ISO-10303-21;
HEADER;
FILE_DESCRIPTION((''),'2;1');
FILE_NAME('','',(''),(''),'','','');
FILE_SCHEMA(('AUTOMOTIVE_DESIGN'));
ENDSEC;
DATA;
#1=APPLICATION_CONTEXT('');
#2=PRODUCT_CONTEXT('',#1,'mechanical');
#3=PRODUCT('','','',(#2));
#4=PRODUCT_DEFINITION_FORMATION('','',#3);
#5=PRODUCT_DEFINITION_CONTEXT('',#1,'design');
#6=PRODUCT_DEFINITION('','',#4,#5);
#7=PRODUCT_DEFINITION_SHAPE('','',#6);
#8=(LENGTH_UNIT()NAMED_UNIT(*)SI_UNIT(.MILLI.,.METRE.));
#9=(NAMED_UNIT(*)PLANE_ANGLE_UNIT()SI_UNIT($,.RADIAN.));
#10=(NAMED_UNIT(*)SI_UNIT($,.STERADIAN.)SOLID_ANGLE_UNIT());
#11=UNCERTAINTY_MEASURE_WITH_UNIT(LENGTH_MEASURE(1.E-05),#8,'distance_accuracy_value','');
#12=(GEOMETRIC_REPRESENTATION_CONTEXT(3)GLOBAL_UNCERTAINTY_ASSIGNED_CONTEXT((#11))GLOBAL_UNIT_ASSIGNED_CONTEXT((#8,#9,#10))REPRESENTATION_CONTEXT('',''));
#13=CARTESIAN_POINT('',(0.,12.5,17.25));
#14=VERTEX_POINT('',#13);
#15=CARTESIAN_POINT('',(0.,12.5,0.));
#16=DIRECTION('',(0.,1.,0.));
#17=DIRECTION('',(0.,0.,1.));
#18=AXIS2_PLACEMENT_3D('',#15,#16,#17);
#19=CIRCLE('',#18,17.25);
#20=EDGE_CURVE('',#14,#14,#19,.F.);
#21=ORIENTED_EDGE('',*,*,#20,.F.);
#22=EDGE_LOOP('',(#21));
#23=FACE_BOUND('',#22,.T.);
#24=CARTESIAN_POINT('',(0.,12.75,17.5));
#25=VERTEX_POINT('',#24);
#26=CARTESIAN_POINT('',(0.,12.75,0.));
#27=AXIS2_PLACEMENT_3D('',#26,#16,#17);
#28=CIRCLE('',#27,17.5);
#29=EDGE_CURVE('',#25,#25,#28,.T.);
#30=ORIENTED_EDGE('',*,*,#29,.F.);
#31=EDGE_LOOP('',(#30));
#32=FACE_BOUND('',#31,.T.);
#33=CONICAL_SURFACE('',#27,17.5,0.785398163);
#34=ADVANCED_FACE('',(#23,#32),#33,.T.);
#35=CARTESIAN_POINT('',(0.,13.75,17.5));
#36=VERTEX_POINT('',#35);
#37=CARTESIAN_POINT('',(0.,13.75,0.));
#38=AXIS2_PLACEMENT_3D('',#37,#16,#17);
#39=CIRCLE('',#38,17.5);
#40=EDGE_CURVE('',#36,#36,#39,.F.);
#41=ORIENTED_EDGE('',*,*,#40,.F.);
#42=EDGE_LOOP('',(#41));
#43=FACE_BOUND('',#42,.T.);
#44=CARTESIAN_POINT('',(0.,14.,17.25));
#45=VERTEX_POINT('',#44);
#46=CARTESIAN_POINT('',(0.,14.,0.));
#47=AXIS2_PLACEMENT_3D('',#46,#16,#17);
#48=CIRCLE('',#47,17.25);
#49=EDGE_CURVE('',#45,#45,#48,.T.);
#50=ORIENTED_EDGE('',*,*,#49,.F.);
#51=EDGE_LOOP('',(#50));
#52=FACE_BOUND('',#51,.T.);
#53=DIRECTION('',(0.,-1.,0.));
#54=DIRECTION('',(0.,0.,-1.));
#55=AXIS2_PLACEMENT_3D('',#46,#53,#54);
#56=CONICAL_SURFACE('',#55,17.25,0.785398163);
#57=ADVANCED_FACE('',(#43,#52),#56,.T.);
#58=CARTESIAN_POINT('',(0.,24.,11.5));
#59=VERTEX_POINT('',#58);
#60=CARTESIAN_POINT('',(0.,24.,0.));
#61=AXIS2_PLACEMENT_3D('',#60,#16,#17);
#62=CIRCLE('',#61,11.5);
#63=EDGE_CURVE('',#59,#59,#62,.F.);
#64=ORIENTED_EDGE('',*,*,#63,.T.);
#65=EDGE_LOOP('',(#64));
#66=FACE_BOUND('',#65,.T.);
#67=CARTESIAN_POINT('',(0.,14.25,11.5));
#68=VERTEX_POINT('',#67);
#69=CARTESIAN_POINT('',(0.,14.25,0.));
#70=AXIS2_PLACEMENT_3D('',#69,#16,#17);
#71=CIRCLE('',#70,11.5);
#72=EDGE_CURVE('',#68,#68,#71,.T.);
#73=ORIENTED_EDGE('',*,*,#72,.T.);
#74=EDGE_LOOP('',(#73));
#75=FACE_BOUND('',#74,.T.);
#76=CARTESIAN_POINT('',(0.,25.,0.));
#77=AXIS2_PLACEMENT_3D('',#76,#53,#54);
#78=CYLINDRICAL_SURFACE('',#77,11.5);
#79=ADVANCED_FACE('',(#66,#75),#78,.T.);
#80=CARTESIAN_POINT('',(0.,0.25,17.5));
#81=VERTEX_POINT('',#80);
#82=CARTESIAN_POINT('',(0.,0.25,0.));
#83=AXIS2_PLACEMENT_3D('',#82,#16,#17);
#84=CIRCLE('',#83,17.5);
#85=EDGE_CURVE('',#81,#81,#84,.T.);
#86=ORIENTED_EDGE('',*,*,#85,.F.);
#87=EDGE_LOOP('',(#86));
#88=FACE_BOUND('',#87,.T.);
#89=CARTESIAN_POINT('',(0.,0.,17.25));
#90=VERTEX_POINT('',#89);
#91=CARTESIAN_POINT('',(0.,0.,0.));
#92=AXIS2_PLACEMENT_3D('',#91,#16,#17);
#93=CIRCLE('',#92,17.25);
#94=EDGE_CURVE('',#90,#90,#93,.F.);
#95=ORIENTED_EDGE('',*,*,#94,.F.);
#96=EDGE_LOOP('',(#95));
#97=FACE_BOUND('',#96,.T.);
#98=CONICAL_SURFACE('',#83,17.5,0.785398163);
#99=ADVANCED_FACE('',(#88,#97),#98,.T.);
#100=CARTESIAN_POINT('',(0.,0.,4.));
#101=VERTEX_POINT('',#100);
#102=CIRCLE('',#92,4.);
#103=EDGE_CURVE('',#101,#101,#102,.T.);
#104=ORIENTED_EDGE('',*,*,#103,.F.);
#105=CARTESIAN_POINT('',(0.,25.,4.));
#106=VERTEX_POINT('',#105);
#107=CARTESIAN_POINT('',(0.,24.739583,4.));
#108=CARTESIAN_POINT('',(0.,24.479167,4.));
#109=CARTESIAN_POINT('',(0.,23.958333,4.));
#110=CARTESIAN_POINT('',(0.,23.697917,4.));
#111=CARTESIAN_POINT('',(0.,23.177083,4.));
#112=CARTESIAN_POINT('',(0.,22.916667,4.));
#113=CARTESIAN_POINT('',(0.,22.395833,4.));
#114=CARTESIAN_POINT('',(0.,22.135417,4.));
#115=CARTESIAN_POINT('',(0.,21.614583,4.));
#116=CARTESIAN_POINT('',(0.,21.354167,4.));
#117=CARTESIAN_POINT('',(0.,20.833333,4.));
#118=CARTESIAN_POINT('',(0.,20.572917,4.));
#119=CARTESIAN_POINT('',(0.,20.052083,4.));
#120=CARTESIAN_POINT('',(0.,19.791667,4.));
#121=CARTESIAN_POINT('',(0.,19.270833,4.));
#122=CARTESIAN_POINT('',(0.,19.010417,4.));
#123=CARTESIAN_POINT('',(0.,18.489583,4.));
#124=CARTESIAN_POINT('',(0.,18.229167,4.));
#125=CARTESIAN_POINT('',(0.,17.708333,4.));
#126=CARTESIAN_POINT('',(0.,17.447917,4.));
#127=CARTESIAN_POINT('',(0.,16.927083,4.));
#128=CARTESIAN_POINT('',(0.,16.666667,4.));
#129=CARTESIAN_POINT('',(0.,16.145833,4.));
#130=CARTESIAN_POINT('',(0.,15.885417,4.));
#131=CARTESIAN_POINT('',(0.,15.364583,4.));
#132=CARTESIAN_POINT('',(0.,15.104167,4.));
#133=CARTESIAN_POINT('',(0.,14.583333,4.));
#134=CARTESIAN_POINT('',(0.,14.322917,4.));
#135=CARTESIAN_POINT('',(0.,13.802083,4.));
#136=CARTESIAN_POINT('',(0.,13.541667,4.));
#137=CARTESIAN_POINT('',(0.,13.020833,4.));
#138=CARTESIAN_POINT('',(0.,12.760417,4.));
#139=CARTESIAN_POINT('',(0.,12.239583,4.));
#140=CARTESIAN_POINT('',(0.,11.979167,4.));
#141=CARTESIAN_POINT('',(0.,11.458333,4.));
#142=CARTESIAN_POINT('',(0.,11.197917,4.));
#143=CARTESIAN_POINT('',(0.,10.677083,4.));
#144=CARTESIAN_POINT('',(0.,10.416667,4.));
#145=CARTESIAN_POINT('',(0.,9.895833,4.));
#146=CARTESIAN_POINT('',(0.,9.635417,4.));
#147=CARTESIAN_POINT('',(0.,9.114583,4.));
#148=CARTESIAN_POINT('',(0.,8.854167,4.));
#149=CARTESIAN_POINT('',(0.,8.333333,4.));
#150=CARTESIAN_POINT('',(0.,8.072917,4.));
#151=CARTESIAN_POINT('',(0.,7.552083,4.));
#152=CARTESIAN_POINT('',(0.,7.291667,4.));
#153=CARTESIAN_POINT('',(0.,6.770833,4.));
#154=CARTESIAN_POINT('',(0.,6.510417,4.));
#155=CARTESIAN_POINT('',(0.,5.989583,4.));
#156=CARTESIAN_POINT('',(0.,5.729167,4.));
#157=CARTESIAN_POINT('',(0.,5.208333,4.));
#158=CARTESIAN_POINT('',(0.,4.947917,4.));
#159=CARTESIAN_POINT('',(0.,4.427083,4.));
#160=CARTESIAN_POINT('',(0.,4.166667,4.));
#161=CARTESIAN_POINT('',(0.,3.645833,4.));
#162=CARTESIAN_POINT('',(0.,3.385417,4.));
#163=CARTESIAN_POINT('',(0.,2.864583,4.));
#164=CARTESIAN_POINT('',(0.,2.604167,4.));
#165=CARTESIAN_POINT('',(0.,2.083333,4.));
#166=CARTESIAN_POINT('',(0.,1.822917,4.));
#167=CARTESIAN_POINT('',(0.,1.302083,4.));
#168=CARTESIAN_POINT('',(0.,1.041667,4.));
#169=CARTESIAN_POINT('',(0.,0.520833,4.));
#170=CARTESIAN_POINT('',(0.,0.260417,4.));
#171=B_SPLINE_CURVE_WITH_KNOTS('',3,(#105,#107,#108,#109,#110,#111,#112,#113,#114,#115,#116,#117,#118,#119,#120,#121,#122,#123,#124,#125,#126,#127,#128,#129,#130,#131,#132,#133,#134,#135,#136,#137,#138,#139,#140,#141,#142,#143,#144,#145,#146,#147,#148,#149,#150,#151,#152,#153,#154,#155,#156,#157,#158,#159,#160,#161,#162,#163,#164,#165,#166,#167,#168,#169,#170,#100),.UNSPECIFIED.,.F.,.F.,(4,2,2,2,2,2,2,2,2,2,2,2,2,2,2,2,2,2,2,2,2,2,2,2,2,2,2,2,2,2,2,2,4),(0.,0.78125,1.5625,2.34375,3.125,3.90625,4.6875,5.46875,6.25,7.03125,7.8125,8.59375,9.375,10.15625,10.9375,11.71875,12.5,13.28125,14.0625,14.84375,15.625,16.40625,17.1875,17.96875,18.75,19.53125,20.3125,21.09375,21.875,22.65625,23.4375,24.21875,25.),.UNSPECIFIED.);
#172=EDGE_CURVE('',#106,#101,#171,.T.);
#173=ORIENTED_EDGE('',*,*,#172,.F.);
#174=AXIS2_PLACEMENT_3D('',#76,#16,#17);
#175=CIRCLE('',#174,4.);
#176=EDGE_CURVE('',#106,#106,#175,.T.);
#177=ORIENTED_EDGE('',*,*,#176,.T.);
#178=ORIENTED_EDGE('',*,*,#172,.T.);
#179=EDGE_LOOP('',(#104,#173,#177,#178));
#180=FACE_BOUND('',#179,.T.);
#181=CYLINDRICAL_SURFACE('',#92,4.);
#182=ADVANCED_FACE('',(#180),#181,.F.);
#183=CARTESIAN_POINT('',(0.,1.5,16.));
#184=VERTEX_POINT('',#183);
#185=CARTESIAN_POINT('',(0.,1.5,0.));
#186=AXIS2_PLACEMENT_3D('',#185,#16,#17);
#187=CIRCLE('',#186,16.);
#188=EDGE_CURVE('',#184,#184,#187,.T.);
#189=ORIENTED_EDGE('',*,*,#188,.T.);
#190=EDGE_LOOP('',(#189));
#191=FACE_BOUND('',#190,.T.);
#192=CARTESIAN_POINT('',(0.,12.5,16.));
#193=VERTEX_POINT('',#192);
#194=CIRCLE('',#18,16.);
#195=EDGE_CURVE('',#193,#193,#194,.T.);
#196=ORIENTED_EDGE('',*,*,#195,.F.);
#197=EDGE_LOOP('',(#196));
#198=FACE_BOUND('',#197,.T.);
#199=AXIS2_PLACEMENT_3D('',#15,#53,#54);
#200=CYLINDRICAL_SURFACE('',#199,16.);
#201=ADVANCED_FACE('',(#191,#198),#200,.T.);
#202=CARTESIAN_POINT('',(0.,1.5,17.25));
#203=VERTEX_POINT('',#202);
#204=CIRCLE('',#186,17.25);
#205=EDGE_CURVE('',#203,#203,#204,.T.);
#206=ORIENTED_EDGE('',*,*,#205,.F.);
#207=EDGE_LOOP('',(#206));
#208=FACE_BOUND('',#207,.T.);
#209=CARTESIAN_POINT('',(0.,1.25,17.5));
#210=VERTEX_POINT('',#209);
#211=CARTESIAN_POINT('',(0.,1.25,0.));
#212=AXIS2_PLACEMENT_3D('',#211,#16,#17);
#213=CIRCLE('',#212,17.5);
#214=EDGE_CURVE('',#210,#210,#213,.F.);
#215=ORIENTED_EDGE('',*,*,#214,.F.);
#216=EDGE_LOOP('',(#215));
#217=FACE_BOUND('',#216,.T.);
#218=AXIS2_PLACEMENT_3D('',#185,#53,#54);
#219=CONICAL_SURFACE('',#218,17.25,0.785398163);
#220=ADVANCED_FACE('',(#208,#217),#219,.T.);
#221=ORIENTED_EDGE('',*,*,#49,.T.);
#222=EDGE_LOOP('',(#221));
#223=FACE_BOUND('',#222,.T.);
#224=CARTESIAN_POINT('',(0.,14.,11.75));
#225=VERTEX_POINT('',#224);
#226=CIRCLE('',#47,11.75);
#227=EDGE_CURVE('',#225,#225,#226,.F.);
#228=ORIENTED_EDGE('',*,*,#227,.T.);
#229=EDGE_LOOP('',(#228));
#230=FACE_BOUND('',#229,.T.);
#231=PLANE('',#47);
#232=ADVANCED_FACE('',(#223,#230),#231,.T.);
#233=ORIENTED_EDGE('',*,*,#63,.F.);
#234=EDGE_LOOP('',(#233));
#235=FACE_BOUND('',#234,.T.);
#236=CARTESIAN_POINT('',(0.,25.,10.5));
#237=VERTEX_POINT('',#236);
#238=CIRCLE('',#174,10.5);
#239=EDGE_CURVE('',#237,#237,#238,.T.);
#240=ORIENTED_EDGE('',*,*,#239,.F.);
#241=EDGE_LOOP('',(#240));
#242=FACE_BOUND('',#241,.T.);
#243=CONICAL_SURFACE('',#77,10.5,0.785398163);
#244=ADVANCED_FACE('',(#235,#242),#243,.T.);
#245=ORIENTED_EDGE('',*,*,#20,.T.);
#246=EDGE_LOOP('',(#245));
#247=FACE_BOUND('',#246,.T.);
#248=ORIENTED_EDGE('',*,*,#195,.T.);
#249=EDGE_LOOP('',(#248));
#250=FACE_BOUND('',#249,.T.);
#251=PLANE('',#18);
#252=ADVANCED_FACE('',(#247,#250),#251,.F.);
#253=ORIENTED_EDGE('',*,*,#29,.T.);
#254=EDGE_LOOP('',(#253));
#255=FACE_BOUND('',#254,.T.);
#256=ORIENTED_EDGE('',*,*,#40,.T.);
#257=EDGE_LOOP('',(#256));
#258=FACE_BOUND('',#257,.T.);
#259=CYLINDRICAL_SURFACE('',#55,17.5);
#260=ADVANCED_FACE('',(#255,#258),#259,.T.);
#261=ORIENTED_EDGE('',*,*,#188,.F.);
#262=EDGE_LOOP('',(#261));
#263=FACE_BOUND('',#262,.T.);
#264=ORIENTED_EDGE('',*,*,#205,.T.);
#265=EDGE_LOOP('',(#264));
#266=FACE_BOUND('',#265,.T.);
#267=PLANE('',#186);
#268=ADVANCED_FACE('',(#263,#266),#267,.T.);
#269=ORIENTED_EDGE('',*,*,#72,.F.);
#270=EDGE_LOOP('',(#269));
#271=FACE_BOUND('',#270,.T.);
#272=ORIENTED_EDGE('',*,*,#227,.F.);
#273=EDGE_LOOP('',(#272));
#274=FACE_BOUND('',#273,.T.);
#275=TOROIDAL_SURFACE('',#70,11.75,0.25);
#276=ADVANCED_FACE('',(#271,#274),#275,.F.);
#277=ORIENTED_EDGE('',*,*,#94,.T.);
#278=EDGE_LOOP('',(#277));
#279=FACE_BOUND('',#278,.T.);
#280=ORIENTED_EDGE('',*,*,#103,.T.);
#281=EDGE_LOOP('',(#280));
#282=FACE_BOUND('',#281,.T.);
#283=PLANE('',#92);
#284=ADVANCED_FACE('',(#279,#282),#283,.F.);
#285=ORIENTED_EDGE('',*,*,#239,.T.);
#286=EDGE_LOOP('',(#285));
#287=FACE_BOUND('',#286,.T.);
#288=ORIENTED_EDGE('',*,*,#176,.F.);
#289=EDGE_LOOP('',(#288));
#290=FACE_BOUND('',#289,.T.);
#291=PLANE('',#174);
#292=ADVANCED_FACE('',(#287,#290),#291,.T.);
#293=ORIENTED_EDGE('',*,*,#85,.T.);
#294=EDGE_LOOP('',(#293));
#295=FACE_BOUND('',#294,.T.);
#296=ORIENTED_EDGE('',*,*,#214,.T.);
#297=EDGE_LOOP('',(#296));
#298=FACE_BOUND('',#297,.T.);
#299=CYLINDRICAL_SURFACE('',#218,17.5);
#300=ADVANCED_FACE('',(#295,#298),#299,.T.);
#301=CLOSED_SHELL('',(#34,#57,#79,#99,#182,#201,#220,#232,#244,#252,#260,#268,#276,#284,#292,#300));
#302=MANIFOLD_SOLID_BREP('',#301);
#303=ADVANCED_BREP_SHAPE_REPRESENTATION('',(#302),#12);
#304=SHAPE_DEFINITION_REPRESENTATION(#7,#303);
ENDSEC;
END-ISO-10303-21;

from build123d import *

# Parameters (mm, degrees)
SKETCH1_R               = 17.5
BOSS_EXTRUDE1_DEPTH     = 1.5
SKETCH2_R               = 16
BOSS_EXTRUDE2_DEPTH     = 11
SKETCH3_R               = 17.5
BOSS_EXTRUDE3_DEPTH     = 1.5
SKETCH4_R               = 11.5
BOSS_EXTRUDE4_DEPTH     = 11
CUT_EXTRUDE1_DEPTH      = 36.178118199
CUT_EXTRUDE1_DEPTH_BACK = 36.178118199
SKETCH6_R               = 4
CHAMFER1_SIZE           = 1
CHAMFER2_SIZE           = 0.25
FILLET1_R               = 0.25


with BuildPart() as part:
    # Sketch1 → Boss-Extrude1 (new body)
    with BuildSketch(Plane(origin=(0, 0, 0), x_dir=(1, 0, 0), z_dir=(0, 1, 0))):
        with Locations(Location((0, 0, 0), (0, 0, 270))):
            Circle(SKETCH1_R)
    extrude(amount=BOSS_EXTRUDE1_DEPTH)

    # Sketch2 → Boss-Extrude2 (add)
    with BuildSketch(Plane(origin=(0, 1.5, 0), x_dir=(1, 0, 0), z_dir=(0, 1, 0))):
        with Locations(Location((0, 0, 0), (0, 0, 270))):
            Circle(SKETCH2_R)
    extrude(amount=BOSS_EXTRUDE2_DEPTH)

    # Sketch3 → Boss-Extrude3 (add)
    with BuildSketch(Plane(origin=(0, 12.5, 0), x_dir=(1, 0, 0), z_dir=(0, 1, 0))):
        with Locations(Location((0, 0, 0), (0, 0, 270))):
            Circle(SKETCH3_R)
    extrude(amount=BOSS_EXTRUDE3_DEPTH)

    # Sketch4 → Boss-Extrude4 (add)
    with BuildSketch(Plane(origin=(0, 14, 0), x_dir=(1, 0, 0), z_dir=(0, 1, 0))):
        with Locations(Location((0, 0, 0), (0, 0, 270))):
            Circle(SKETCH4_R)
    extrude(amount=BOSS_EXTRUDE4_DEPTH)

    # Sketch6 → Cut-Extrude1 (cut, two sides: drawn at the far end of the back side and taken through both)
    with BuildSketch(Plane(origin=(0, 25, 0), x_dir=(1, 0, 0), z_dir=(0, 1, 0)).offset(-CUT_EXTRUDE1_DEPTH_BACK)):
        with Locations(Location((0, 0, 0), (0, 0, 270))):
            Circle(SKETCH6_R)
    extrude(amount=CUT_EXTRUDE1_DEPTH + CUT_EXTRUDE1_DEPTH_BACK, mode=Mode.SUBTRACT)

    # Chamfer1
    chamfer1_edges = [part.edges().sort_by_distance(p)[0] for p in [
        (0, 25, -11.5),
    ]]
    chamfer(chamfer1_edges, length=CHAMFER1_SIZE)

    # Chamfer2
    chamfer2_edges = [part.edges().sort_by_distance(p)[0] for p in [
        (0, 0, -17.5),
        (0, 1.5, -17.5),
        (0, 12.5, -17.5),
        (0, 14, -17.5),
    ]]
    chamfer(chamfer2_edges, length=CHAMFER2_SIZE)

    # Fillet1
    fillet1_edges = [part.edges().sort_by_distance(p)[0] for p in [
        (0, 14, -11.5),
    ]]
    fillet(fillet1_edges, radius=FILLET1_R)


solid = part.part
